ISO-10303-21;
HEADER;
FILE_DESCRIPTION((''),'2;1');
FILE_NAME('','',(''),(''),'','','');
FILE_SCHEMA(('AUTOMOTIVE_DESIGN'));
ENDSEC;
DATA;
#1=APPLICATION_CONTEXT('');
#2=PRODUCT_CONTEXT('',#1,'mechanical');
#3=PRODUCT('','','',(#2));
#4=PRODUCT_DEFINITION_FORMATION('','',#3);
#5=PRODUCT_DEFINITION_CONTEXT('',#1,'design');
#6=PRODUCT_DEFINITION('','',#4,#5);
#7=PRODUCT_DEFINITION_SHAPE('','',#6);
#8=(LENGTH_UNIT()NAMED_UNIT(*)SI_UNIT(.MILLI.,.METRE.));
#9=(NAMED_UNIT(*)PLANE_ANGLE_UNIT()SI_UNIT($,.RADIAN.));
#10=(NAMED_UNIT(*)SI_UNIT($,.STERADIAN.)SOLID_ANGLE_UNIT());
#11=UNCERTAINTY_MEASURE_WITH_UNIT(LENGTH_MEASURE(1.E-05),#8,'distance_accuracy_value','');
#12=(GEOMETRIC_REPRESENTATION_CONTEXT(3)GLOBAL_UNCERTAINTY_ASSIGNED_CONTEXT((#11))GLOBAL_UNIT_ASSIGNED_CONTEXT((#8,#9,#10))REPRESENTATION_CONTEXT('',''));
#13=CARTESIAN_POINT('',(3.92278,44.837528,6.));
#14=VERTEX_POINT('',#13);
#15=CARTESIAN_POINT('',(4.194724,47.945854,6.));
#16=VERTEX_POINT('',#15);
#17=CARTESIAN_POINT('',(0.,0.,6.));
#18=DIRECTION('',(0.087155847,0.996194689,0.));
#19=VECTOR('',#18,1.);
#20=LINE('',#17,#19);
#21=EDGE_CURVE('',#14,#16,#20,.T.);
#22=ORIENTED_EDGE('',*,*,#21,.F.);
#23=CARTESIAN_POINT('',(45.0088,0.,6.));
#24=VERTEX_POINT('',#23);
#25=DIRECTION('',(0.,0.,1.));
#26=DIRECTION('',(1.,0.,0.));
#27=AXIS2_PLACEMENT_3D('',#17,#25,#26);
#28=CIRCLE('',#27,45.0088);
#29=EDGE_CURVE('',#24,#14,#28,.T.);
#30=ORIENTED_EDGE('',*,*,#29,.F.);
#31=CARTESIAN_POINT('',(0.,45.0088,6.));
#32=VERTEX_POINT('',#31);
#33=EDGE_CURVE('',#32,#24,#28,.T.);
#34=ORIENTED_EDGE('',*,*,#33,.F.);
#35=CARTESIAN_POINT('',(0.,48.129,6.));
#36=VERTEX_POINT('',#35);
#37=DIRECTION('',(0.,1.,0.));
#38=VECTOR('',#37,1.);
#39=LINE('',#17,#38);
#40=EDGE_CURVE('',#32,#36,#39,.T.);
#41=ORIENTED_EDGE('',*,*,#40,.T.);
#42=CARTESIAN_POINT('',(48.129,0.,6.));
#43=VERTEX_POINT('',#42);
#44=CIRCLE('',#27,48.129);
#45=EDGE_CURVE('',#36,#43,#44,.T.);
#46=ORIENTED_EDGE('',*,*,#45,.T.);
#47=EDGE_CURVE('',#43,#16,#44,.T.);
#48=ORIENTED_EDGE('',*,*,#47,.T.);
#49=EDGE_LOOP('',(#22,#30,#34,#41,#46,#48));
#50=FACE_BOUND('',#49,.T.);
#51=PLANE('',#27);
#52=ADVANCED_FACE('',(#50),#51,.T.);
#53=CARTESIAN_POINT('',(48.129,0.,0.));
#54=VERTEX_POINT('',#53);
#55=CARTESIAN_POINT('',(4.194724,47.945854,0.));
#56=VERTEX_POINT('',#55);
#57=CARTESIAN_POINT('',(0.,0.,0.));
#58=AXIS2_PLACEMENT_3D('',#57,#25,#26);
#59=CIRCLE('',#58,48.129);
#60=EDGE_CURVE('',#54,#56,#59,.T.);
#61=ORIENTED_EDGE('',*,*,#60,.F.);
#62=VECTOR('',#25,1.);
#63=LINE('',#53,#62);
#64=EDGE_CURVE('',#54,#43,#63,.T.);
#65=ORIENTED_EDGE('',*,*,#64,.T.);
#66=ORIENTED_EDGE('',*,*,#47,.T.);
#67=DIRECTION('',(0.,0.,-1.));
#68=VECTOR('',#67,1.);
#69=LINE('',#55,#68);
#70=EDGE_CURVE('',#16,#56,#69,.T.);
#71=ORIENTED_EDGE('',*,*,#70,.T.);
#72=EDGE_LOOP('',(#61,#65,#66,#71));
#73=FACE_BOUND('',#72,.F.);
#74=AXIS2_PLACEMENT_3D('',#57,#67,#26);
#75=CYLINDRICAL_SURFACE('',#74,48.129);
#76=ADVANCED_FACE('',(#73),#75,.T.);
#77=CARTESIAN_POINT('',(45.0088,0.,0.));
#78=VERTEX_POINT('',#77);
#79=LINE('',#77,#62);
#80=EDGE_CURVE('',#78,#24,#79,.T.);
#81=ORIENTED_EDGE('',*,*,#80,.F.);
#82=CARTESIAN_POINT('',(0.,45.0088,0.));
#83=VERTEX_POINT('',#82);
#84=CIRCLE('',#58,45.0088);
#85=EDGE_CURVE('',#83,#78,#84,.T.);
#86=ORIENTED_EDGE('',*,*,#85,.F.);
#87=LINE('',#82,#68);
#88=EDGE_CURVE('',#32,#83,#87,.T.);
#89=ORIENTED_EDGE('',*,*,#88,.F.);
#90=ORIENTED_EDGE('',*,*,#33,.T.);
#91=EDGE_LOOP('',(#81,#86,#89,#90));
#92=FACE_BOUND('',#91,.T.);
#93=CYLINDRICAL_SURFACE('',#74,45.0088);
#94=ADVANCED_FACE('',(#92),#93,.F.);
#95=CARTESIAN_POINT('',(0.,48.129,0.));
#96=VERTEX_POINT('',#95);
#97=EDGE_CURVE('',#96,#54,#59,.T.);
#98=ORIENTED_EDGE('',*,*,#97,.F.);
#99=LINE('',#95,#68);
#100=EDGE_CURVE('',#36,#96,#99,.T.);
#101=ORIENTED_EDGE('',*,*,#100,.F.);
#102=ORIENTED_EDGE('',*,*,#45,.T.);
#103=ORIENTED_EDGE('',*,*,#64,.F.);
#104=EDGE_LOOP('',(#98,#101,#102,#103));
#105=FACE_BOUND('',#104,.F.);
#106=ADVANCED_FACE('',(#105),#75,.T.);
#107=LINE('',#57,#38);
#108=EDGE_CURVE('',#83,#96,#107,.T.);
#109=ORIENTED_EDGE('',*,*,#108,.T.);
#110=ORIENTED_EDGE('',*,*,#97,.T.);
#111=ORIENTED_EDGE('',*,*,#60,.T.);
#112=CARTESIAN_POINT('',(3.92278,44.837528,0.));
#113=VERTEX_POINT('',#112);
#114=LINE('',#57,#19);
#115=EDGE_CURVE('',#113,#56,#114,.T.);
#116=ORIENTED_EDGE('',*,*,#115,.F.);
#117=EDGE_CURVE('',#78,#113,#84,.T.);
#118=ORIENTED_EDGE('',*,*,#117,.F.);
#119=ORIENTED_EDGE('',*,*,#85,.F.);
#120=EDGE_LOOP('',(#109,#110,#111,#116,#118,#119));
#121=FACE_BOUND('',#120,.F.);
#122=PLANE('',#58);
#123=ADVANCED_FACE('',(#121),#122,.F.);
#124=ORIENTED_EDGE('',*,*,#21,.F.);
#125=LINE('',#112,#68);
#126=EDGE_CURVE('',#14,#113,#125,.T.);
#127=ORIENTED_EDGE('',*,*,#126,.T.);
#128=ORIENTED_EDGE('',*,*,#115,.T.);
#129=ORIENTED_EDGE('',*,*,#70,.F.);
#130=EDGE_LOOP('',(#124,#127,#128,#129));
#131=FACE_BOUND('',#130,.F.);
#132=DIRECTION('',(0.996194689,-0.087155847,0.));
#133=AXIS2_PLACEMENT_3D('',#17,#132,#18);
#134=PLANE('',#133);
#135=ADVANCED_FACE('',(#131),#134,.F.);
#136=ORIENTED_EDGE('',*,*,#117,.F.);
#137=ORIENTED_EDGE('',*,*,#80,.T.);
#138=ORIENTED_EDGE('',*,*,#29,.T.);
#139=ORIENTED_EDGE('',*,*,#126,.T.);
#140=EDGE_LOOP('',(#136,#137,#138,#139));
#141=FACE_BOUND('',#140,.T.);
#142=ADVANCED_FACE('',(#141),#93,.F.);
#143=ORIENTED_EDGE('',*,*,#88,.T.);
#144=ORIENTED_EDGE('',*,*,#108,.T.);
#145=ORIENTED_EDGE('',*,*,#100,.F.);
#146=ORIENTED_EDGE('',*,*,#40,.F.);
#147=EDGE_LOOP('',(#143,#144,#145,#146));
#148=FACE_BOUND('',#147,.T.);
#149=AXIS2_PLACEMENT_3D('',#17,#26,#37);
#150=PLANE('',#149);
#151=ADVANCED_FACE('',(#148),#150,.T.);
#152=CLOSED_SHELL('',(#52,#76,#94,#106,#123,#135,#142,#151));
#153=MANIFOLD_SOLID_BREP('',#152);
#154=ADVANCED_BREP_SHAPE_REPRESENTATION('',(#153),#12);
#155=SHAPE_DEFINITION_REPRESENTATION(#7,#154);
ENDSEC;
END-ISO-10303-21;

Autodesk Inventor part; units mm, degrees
ref_plane "YZ Plane" through (0, 0, 0) normal (1, 0, 0) x (0, 1, 0)
ref_plane "XZ Plane" through (0, 0, 0) normal (0, 1, 0) x (-1, 0, 0)
ref_plane "XY Plane" through (0, 0, 0) normal (0, 0, 1) x (1, 0, 0)
sketch "Sketch1" plane through (0, 0, 0) normal (0, 0, 1) x (1, 0, 0)
  circle A0 centre (0, 0) radius 48.129
  circle A1 centre (0, 0) radius 45.0088
  dimension "d0" = 96.258
  dimension "d1" = 90.0176
extrude "Extrusion1" add sketch "Sketch1" along normal blind 6
sketch "Sketch2" plane through (0, 0, 6) normal (0, 0, 1) x (1, 0, 0)
  line L0 (0, 0) -> (0, 63.8312)
  line L1 (0, 0) -> (5.4044, 61.7725)
  line L2 (0, 0) -> (62.0085, 0) construction
  line L3 (5.4044, 61.7725) -> (1.0128, 63.4454)
  line L4 (1.0128, 63.4454) -> (0, 63.8312)
  dimension "d4" = 85
extrude "Extrusion2" cut sketch "Sketch2" against normal blind 10
properties part number "4002_Bias_Coil_Holder_Tube_Mount_Layer3_MPSv2_v2" material "ABS Plastic"
